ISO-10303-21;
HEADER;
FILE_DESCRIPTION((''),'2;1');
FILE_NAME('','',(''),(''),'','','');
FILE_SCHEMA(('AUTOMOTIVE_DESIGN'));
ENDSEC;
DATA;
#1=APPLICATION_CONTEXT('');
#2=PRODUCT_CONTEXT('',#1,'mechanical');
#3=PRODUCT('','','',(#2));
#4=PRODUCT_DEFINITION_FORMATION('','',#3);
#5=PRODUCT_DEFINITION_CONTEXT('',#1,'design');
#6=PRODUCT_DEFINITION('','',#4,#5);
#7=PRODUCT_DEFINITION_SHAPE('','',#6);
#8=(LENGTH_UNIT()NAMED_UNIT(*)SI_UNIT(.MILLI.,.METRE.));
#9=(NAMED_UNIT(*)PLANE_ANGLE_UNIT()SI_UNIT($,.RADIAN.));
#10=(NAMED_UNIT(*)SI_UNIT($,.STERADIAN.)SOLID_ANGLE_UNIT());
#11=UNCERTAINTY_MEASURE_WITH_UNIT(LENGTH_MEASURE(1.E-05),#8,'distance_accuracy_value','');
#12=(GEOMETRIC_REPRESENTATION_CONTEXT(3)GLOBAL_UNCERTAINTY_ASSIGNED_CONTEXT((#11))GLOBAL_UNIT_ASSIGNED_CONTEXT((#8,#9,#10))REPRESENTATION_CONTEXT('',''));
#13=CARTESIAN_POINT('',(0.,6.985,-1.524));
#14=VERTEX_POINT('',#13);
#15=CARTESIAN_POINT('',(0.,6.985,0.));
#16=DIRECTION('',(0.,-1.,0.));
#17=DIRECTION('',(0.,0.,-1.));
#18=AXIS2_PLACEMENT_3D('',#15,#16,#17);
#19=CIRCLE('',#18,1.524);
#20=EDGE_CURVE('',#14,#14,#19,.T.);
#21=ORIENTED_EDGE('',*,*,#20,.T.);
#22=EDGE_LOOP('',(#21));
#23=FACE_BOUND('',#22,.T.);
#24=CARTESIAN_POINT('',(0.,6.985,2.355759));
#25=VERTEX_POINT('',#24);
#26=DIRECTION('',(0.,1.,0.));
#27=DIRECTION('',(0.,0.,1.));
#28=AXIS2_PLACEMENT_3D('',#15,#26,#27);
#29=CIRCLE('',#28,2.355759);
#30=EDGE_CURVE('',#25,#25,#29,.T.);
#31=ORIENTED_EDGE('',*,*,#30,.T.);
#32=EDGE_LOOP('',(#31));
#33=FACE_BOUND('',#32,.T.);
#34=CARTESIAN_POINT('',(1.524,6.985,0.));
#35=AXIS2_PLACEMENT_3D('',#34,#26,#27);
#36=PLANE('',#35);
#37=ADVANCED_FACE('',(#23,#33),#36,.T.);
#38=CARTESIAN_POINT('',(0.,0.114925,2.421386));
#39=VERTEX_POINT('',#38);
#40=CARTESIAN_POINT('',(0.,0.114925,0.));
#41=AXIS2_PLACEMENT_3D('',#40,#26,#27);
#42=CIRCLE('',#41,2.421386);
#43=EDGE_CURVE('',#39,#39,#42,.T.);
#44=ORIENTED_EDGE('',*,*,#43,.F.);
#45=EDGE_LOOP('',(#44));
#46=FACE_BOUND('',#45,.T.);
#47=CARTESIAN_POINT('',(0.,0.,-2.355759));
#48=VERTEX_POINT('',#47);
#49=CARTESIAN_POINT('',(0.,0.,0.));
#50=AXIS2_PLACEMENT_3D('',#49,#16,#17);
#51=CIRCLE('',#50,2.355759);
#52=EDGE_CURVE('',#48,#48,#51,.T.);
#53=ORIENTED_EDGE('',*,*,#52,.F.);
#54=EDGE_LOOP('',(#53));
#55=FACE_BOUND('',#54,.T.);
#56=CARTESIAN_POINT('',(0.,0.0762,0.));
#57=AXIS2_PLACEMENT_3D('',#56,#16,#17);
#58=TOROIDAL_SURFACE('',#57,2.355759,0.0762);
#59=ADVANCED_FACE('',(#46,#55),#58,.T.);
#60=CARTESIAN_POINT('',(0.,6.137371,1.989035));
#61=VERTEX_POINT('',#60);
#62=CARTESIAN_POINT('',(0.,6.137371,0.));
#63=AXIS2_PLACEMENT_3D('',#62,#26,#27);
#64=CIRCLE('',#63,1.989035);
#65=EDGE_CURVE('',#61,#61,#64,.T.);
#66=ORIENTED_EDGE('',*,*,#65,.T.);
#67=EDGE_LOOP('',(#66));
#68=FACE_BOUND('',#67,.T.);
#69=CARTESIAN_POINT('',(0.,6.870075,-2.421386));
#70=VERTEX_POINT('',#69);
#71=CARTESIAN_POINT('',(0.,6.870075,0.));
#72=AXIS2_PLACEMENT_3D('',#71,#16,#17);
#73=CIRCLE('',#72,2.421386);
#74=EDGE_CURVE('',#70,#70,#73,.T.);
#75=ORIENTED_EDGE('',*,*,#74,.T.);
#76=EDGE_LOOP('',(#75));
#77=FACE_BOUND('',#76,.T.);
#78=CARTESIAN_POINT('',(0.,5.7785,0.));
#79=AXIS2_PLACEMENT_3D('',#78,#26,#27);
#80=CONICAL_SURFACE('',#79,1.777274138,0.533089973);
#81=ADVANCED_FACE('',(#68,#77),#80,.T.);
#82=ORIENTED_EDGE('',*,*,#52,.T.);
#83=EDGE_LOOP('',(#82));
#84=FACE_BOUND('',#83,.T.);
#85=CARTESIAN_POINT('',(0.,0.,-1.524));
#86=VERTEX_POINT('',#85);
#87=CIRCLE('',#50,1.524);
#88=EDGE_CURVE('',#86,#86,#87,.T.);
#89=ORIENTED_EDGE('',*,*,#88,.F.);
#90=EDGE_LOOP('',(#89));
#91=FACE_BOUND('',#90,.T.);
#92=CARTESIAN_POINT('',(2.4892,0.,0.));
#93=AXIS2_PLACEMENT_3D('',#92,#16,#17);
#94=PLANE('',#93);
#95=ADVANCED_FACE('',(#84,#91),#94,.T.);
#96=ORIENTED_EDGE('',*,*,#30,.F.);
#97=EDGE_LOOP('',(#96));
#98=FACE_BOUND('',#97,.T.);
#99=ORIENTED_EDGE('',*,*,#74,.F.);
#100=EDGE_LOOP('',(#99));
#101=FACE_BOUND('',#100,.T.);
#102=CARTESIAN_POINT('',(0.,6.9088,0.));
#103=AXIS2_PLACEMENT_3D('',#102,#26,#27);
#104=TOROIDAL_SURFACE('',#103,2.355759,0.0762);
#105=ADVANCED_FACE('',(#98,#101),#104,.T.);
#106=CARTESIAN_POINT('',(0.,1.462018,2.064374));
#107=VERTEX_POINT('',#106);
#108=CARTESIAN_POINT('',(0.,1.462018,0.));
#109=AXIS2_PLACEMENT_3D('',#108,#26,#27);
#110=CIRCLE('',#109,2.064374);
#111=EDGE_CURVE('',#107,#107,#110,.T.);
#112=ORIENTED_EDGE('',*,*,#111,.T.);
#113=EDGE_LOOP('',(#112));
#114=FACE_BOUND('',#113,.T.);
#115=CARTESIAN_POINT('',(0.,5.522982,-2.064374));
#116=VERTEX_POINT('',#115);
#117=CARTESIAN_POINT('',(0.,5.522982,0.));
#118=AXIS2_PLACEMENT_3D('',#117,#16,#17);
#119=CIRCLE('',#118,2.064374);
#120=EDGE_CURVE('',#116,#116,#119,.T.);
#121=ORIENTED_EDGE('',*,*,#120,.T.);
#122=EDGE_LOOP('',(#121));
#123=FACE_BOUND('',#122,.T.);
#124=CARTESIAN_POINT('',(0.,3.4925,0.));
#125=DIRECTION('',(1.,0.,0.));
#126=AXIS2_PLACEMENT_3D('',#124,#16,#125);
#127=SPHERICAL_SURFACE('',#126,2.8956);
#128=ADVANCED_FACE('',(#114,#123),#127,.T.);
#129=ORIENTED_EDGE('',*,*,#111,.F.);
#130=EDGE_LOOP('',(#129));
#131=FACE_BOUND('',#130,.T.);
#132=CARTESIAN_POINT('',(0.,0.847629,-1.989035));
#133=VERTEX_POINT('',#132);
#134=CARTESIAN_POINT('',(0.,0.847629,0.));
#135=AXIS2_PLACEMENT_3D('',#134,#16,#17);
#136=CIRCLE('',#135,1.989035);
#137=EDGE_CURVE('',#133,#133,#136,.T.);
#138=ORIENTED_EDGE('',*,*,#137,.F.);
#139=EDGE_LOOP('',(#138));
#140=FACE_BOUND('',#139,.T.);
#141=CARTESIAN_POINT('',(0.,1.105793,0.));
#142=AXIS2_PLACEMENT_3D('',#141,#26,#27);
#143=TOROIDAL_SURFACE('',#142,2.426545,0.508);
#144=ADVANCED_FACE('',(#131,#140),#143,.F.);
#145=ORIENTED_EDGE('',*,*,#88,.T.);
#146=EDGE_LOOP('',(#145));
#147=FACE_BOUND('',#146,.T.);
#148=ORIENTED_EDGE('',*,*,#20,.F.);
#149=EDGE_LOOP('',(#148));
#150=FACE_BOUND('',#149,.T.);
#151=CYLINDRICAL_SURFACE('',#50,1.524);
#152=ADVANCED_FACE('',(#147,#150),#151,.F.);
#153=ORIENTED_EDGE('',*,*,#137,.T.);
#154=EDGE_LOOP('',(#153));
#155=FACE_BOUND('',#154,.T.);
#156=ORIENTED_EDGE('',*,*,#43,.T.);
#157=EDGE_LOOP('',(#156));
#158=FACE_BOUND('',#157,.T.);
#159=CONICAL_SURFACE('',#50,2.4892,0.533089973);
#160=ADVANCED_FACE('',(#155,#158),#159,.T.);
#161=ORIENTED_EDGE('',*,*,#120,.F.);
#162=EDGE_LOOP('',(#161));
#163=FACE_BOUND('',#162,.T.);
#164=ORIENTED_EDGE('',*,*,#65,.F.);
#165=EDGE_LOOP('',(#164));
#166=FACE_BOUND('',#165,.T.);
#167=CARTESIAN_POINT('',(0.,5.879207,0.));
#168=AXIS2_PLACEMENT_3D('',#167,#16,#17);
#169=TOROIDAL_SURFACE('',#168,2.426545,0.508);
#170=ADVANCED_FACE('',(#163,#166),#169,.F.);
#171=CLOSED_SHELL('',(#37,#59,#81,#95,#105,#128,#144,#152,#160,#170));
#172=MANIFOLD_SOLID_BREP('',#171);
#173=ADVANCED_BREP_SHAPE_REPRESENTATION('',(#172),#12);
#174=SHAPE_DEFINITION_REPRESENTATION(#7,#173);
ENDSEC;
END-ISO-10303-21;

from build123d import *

# Parameters (mm, degrees)
FILLET1_R = 0.508
FILLET2_R = 0.0762


with BuildPart() as part:
    # Sketch1 → Revolve1 (revolve)
    with BuildSketch(Plane.XY, mode=Mode.PRIVATE) as revolve1_sk:
        with BuildLine():
            Line((1.524, 0), (1.524, 6.985))
            Line((1.524, 6.985), (2.4892, 6.985))
            Line((2.4892, 6.985), (1.777274138, 5.7785))
            ThreePointArc((1.777274138, 5.7785), (2.8956, 3.4925), (1.777274138, 1.2065))
            Line((1.777274138, 1.2065), (2.4892, 0))
            Line((2.4892, 0), (1.524, 0))
        make_face()
    revolve(revolve1_sk.sketch.rotate(Axis((0, 0, 0), (0, 1, 0)), 90), axis=Axis((0, 0, 0), (0, 1, 0)))  # turned: the seam where the file's is

    # Fillet1
    fillet1_edges = [part.edges().sort_by_distance(p)[0] for p in [
        (0, 1.2065, 1.777274138),
        (0, 5.7785, 1.777274138),
    ]]
    fillet(fillet1_edges, radius=FILLET1_R)

    # Fillet2
    fillet2_edges = [part.edges().sort_by_distance(p)[0] for p in [
        (0, 0, 2.4892),
        (0, 6.985, 2.4892),
    ]]
    fillet(fillet2_edges, radius=FILLET2_R)


solid = part.part
